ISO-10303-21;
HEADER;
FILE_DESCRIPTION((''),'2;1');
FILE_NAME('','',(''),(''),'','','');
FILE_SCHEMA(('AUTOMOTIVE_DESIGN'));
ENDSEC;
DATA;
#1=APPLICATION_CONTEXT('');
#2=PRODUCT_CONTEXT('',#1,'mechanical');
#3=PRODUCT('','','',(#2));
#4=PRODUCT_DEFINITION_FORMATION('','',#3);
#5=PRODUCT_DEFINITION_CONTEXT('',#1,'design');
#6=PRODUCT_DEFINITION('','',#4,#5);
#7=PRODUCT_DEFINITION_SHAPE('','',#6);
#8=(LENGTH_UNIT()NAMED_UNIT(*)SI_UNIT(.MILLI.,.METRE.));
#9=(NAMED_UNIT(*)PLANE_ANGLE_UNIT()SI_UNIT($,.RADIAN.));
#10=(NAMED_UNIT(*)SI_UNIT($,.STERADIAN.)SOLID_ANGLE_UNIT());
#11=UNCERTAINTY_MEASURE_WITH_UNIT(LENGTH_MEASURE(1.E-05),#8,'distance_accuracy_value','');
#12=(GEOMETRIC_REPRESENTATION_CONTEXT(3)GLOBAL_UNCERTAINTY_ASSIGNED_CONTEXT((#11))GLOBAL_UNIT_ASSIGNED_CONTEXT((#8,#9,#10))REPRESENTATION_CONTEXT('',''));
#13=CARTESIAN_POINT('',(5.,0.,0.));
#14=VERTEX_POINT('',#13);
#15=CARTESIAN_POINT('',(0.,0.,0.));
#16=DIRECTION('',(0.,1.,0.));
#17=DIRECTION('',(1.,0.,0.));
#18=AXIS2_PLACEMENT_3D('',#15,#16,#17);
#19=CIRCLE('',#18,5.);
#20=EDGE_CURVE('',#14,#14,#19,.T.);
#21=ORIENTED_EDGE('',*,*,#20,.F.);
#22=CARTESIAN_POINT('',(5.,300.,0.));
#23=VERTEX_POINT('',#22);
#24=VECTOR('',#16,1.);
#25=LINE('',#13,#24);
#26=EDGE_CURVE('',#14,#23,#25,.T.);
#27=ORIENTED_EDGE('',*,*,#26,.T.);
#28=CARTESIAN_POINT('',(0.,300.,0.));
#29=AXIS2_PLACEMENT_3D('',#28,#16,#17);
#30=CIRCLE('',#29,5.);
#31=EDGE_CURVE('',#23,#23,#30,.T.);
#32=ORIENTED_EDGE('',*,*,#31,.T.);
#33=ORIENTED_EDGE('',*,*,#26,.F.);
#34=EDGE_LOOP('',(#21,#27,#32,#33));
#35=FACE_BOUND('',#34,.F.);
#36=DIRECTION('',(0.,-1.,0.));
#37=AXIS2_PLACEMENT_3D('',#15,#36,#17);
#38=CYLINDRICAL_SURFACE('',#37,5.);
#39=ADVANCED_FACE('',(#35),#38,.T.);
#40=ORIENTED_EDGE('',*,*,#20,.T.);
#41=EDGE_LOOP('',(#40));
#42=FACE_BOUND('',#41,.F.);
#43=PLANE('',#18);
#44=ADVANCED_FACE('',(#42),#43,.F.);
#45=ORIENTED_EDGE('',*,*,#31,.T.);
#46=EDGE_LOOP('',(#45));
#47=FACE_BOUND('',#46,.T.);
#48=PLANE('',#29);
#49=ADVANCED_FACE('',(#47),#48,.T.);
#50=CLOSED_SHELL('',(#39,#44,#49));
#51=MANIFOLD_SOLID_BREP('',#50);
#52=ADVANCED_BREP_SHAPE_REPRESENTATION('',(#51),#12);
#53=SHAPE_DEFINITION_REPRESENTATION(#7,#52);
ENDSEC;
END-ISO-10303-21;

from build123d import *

# Parameters (mm, degrees)
SKETCH1_R      = 5
EXTRUDE1_DEPTH = 300


with BuildPart() as part:
    # Sketch1 → Extrude1 (new body)
    with BuildSketch(Plane(origin=(0, 0, 0), x_dir=(1, 0, 0), z_dir=(0, 1, 0))):
        Circle(SKETCH1_R)
    extrude(amount=EXTRUDE1_DEPTH)


solid = part.part
